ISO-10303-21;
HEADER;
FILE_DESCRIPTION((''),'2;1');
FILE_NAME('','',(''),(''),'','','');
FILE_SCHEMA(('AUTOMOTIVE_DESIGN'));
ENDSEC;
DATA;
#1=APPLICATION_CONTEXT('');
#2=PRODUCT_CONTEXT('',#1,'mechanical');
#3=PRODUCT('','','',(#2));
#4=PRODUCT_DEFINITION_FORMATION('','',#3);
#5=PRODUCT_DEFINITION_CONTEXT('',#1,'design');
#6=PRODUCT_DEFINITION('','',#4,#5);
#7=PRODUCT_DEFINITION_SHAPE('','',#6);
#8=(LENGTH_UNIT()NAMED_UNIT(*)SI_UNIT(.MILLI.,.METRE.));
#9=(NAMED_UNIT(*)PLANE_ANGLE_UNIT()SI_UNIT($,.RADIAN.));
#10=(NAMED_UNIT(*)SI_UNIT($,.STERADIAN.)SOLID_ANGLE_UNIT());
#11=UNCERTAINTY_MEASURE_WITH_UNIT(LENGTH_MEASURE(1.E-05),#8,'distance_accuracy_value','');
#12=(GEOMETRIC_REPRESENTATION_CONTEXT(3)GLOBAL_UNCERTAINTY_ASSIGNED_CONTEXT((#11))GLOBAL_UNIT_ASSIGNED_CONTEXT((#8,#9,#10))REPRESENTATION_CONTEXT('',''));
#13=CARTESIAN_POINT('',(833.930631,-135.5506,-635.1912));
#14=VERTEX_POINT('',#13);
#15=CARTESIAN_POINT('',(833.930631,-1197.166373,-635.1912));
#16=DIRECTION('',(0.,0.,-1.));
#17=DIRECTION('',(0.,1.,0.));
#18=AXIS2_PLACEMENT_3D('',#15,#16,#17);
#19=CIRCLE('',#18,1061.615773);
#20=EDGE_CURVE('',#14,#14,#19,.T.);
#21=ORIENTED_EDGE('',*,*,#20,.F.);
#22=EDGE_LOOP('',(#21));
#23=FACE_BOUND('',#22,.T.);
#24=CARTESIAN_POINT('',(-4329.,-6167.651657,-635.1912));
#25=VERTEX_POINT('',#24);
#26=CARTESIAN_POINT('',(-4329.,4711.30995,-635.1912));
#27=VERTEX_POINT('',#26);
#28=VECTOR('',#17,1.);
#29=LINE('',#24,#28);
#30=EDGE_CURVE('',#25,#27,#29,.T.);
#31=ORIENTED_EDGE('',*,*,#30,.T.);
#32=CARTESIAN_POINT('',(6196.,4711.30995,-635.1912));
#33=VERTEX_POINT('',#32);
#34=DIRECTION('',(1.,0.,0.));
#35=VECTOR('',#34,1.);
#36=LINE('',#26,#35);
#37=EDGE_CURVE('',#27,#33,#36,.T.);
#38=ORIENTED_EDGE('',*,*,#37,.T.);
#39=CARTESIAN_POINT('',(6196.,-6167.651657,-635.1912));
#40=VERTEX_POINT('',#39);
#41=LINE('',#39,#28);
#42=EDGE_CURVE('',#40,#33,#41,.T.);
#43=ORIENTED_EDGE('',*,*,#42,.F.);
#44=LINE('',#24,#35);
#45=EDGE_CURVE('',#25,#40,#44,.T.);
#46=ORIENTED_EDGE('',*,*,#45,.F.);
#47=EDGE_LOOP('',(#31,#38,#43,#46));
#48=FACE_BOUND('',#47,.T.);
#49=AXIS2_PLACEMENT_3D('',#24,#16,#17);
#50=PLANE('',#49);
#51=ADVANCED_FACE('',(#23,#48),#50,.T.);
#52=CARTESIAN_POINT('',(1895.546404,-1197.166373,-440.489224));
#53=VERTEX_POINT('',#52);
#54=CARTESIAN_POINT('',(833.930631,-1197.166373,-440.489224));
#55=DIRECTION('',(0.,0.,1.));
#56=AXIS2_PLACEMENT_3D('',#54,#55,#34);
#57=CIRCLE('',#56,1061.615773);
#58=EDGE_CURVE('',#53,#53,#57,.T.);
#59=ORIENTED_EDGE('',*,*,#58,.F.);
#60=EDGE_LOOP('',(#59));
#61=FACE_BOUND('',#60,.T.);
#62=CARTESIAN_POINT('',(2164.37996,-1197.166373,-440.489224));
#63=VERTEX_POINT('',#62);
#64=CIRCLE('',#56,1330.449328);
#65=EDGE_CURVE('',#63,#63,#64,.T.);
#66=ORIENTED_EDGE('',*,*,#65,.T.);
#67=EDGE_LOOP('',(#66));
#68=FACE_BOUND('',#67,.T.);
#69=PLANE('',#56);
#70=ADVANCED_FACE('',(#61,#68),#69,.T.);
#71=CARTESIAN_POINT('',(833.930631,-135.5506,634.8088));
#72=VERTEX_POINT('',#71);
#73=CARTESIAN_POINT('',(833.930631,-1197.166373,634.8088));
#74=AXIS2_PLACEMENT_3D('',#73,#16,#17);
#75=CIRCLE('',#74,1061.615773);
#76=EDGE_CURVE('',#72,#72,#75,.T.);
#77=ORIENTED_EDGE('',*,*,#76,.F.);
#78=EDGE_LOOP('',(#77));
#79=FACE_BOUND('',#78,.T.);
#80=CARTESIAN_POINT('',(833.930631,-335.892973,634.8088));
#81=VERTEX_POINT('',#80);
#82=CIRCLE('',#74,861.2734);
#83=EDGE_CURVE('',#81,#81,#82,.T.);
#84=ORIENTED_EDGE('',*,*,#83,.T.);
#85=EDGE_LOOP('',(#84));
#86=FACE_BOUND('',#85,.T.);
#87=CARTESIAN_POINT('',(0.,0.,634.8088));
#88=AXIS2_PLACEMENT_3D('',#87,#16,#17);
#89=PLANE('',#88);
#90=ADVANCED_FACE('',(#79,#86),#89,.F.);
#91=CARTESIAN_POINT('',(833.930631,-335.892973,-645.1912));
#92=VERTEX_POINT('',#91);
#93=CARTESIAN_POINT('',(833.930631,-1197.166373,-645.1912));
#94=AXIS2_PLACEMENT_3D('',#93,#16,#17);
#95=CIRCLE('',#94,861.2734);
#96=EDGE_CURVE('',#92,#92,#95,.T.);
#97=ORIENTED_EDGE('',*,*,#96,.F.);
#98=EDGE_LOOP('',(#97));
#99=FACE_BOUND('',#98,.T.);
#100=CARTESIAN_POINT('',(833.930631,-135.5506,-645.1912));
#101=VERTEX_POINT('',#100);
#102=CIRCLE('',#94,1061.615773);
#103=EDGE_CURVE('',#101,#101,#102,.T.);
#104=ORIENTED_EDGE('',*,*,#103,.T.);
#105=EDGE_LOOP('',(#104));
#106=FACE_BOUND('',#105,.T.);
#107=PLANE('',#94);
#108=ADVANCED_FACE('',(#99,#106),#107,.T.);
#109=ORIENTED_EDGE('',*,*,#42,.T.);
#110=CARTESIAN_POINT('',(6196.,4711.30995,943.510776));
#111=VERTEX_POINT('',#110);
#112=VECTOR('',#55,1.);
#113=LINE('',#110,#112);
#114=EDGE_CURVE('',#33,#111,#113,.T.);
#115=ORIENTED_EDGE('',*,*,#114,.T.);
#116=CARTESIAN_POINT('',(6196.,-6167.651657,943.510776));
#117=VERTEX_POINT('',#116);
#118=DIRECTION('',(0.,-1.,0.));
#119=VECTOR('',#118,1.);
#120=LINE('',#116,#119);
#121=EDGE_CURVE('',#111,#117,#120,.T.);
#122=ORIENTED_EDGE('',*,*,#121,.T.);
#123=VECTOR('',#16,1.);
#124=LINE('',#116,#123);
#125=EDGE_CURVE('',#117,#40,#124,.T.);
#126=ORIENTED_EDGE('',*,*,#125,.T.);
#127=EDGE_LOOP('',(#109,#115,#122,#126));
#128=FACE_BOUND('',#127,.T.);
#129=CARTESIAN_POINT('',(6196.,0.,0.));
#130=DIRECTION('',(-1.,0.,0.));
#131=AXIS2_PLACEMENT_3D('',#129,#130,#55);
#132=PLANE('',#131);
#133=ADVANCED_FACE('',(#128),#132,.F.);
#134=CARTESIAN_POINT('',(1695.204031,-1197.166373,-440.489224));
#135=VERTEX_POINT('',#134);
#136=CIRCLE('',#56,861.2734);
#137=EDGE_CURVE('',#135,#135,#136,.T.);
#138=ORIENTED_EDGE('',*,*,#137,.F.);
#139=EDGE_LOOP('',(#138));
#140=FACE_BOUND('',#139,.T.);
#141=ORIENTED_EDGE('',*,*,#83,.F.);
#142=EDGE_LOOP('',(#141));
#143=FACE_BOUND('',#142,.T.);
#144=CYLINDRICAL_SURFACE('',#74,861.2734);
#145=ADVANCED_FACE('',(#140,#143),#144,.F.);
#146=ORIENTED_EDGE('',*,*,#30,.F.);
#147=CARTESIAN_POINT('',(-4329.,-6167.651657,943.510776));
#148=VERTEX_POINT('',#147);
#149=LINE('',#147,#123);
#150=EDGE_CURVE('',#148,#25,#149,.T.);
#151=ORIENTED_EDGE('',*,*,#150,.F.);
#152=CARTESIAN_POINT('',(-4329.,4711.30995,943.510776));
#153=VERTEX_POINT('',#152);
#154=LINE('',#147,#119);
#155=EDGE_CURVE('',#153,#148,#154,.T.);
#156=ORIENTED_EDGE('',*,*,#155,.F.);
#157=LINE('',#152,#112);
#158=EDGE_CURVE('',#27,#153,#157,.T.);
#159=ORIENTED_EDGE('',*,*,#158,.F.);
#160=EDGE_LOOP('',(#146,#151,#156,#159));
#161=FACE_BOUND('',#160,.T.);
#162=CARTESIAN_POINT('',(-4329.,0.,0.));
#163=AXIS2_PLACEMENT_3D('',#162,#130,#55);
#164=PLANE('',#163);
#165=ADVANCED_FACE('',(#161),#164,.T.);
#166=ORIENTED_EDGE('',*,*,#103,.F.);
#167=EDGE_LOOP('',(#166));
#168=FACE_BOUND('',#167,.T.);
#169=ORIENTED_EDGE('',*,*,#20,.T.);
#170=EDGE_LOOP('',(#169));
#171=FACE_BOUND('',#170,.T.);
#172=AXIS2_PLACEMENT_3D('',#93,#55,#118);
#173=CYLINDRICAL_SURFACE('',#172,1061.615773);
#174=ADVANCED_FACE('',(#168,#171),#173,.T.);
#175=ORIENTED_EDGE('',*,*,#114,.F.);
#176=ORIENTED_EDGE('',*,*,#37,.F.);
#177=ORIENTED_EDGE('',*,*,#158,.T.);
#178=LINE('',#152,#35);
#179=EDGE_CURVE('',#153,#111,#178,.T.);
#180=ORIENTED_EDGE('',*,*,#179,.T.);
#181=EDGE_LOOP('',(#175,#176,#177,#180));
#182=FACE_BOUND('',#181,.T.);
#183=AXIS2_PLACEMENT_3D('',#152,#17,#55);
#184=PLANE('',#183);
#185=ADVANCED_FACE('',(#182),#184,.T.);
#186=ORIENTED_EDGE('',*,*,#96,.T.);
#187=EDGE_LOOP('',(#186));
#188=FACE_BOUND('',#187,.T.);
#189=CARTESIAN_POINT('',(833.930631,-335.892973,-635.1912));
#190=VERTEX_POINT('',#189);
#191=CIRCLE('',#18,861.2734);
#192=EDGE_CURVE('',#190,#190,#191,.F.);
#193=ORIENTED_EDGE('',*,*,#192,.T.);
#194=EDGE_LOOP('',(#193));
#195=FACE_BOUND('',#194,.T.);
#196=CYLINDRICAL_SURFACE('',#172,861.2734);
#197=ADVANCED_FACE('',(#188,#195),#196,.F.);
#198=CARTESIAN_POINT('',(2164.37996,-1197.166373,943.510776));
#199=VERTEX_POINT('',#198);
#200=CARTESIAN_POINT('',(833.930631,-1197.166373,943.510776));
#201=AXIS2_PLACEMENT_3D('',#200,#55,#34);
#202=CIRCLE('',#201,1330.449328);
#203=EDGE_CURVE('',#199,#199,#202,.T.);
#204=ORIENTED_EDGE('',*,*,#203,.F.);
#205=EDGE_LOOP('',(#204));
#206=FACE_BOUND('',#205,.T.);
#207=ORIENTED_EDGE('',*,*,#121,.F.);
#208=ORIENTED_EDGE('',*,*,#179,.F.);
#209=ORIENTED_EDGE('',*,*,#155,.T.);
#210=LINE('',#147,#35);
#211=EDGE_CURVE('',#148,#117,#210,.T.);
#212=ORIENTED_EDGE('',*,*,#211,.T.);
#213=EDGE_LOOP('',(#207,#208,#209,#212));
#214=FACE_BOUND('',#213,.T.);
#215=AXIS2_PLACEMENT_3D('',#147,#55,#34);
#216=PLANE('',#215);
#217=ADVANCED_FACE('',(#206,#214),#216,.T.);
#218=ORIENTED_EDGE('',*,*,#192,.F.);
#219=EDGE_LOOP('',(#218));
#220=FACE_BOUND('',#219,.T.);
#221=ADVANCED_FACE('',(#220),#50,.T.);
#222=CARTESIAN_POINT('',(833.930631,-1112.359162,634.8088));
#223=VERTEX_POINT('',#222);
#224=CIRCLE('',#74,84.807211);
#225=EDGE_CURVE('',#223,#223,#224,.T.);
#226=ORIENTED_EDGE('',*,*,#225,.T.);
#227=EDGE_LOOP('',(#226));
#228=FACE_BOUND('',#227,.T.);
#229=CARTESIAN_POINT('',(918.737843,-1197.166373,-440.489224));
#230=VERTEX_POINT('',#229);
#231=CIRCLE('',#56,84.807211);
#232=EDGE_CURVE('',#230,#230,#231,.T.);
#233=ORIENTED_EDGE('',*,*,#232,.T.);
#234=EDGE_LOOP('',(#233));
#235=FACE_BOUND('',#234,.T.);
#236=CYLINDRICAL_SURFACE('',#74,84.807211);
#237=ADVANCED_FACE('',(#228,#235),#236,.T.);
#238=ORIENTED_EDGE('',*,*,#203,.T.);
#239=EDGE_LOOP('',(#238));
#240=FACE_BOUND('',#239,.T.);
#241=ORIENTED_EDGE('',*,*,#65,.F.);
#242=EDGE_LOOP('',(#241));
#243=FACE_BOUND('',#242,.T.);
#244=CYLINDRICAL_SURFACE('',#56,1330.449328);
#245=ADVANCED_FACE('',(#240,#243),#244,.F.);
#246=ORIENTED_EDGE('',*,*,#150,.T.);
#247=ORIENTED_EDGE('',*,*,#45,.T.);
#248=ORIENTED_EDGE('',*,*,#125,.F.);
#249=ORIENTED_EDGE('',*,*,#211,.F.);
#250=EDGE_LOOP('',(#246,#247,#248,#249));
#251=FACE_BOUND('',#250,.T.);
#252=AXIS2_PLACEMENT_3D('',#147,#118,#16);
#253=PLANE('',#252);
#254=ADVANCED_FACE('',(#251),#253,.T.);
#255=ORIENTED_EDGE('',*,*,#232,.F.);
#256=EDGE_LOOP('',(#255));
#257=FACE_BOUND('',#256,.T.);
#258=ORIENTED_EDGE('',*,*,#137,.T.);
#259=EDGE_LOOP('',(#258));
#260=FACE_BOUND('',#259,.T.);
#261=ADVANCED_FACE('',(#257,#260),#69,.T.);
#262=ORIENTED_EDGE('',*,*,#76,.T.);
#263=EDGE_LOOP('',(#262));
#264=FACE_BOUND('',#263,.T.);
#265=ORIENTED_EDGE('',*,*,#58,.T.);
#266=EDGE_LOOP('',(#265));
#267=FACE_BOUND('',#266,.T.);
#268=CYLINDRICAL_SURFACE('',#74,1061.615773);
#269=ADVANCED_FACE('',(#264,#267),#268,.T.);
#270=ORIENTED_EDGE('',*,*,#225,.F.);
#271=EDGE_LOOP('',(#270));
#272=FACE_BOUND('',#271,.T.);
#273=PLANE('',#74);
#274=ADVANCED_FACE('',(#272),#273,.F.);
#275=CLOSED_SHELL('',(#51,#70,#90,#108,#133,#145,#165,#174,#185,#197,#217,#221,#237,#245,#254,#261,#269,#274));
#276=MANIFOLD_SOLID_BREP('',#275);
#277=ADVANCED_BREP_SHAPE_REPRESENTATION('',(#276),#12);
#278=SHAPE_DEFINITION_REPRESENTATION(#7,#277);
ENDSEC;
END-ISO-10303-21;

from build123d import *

# Parameters (mm, degrees)
BOSS_EXTRUDE1_DEPTH      = 6196
BOSS_EXTRUDE1_DEPTH_BACK = 4329
SKETCH1_W                = 1578.701976668
SKETCH1_H                = 10878.961606317
SKETCH3_R                = 1330.449328347
CUT_EXTRUDE1_DEPTH       = 1384
SKETCH4_R                = 84.807211279
BOSS_EXTRUDE2_DEPTH      = 1270
SKETCH5_R                = 1061.615772672
SKETCH5_R_2              = 861.273399979
BOSS_EXTRUDE3_DEPTH      = 10
BOSS_EXTRUDE4_START      = -1270
SKETCH5_2_R              = 1061.615772672
SKETCH5_2_R_2            = 861.273399979
BOSS_EXTRUDE4_DEPTH      = 1270


with BuildPart() as part:
    # Sketch1 → Boss-Extrude1 (new, two sides: drawn at the far end of the back side and taken through both)
    with BuildSketch(Plane(origin=(0, 0, 0), x_dir=(0, 0, -1), z_dir=(1, 0, 0)).offset(-BOSS_EXTRUDE1_DEPTH_BACK)):
        with Locations((-154.159787834, -728.170853353)):
            Rectangle(SKETCH1_W, SKETCH1_H)
    extrude(amount=BOSS_EXTRUDE1_DEPTH + BOSS_EXTRUDE1_DEPTH_BACK)

    # Sketch3 → Cut-Extrude1 (cut)
    with BuildSketch(Plane.XY.offset(943.510776168)):
        with Locations((833.930631376, -1197.16637306)):
            Circle(SKETCH3_R)
    extrude(amount=-CUT_EXTRUDE1_DEPTH, mode=Mode.SUBTRACT)

    # Sketch4 → Boss-Extrude2 (add)
    with BuildSketch(Plane(origin=(0, 0, -635.1912005), x_dir=(-1, 0, 0), z_dir=(0, 0, -1))):
        with Locations((-833.930631376, -1197.16637306)):
            Circle(SKETCH4_R)
    extrude(amount=-BOSS_EXTRUDE2_DEPTH)

    # Sketch5 → Boss-Extrude3 (add)
    with BuildSketch(Plane(origin=(0, 0, -635.1912005), x_dir=(-1, 0, 0), z_dir=(0, 0, -1))):
        with Locations((-833.930631376, -1197.16637306)):
            Circle(SKETCH5_R)
        with Locations((-833.930631376, -1197.16637306)):
            Circle(SKETCH5_R_2, mode=Mode.SUBTRACT)
    extrude(amount=BOSS_EXTRUDE3_DEPTH)

    # Sketch5<2> → Boss-Extrude4 (add)
    with BuildSketch(Plane(origin=(0, 0, -635.1912005), x_dir=(-1, 0, 0), z_dir=(0, 0, -1)).offset(BOSS_EXTRUDE4_START)):
        with Locations((-833.930631376, -1197.16637306)):
            Circle(SKETCH5_2_R)
        with Locations((-833.930631376, -1197.16637306)):
            Circle(SKETCH5_2_R_2, mode=Mode.SUBTRACT)
    extrude(amount=BOSS_EXTRUDE4_DEPTH)


solid = part.part
